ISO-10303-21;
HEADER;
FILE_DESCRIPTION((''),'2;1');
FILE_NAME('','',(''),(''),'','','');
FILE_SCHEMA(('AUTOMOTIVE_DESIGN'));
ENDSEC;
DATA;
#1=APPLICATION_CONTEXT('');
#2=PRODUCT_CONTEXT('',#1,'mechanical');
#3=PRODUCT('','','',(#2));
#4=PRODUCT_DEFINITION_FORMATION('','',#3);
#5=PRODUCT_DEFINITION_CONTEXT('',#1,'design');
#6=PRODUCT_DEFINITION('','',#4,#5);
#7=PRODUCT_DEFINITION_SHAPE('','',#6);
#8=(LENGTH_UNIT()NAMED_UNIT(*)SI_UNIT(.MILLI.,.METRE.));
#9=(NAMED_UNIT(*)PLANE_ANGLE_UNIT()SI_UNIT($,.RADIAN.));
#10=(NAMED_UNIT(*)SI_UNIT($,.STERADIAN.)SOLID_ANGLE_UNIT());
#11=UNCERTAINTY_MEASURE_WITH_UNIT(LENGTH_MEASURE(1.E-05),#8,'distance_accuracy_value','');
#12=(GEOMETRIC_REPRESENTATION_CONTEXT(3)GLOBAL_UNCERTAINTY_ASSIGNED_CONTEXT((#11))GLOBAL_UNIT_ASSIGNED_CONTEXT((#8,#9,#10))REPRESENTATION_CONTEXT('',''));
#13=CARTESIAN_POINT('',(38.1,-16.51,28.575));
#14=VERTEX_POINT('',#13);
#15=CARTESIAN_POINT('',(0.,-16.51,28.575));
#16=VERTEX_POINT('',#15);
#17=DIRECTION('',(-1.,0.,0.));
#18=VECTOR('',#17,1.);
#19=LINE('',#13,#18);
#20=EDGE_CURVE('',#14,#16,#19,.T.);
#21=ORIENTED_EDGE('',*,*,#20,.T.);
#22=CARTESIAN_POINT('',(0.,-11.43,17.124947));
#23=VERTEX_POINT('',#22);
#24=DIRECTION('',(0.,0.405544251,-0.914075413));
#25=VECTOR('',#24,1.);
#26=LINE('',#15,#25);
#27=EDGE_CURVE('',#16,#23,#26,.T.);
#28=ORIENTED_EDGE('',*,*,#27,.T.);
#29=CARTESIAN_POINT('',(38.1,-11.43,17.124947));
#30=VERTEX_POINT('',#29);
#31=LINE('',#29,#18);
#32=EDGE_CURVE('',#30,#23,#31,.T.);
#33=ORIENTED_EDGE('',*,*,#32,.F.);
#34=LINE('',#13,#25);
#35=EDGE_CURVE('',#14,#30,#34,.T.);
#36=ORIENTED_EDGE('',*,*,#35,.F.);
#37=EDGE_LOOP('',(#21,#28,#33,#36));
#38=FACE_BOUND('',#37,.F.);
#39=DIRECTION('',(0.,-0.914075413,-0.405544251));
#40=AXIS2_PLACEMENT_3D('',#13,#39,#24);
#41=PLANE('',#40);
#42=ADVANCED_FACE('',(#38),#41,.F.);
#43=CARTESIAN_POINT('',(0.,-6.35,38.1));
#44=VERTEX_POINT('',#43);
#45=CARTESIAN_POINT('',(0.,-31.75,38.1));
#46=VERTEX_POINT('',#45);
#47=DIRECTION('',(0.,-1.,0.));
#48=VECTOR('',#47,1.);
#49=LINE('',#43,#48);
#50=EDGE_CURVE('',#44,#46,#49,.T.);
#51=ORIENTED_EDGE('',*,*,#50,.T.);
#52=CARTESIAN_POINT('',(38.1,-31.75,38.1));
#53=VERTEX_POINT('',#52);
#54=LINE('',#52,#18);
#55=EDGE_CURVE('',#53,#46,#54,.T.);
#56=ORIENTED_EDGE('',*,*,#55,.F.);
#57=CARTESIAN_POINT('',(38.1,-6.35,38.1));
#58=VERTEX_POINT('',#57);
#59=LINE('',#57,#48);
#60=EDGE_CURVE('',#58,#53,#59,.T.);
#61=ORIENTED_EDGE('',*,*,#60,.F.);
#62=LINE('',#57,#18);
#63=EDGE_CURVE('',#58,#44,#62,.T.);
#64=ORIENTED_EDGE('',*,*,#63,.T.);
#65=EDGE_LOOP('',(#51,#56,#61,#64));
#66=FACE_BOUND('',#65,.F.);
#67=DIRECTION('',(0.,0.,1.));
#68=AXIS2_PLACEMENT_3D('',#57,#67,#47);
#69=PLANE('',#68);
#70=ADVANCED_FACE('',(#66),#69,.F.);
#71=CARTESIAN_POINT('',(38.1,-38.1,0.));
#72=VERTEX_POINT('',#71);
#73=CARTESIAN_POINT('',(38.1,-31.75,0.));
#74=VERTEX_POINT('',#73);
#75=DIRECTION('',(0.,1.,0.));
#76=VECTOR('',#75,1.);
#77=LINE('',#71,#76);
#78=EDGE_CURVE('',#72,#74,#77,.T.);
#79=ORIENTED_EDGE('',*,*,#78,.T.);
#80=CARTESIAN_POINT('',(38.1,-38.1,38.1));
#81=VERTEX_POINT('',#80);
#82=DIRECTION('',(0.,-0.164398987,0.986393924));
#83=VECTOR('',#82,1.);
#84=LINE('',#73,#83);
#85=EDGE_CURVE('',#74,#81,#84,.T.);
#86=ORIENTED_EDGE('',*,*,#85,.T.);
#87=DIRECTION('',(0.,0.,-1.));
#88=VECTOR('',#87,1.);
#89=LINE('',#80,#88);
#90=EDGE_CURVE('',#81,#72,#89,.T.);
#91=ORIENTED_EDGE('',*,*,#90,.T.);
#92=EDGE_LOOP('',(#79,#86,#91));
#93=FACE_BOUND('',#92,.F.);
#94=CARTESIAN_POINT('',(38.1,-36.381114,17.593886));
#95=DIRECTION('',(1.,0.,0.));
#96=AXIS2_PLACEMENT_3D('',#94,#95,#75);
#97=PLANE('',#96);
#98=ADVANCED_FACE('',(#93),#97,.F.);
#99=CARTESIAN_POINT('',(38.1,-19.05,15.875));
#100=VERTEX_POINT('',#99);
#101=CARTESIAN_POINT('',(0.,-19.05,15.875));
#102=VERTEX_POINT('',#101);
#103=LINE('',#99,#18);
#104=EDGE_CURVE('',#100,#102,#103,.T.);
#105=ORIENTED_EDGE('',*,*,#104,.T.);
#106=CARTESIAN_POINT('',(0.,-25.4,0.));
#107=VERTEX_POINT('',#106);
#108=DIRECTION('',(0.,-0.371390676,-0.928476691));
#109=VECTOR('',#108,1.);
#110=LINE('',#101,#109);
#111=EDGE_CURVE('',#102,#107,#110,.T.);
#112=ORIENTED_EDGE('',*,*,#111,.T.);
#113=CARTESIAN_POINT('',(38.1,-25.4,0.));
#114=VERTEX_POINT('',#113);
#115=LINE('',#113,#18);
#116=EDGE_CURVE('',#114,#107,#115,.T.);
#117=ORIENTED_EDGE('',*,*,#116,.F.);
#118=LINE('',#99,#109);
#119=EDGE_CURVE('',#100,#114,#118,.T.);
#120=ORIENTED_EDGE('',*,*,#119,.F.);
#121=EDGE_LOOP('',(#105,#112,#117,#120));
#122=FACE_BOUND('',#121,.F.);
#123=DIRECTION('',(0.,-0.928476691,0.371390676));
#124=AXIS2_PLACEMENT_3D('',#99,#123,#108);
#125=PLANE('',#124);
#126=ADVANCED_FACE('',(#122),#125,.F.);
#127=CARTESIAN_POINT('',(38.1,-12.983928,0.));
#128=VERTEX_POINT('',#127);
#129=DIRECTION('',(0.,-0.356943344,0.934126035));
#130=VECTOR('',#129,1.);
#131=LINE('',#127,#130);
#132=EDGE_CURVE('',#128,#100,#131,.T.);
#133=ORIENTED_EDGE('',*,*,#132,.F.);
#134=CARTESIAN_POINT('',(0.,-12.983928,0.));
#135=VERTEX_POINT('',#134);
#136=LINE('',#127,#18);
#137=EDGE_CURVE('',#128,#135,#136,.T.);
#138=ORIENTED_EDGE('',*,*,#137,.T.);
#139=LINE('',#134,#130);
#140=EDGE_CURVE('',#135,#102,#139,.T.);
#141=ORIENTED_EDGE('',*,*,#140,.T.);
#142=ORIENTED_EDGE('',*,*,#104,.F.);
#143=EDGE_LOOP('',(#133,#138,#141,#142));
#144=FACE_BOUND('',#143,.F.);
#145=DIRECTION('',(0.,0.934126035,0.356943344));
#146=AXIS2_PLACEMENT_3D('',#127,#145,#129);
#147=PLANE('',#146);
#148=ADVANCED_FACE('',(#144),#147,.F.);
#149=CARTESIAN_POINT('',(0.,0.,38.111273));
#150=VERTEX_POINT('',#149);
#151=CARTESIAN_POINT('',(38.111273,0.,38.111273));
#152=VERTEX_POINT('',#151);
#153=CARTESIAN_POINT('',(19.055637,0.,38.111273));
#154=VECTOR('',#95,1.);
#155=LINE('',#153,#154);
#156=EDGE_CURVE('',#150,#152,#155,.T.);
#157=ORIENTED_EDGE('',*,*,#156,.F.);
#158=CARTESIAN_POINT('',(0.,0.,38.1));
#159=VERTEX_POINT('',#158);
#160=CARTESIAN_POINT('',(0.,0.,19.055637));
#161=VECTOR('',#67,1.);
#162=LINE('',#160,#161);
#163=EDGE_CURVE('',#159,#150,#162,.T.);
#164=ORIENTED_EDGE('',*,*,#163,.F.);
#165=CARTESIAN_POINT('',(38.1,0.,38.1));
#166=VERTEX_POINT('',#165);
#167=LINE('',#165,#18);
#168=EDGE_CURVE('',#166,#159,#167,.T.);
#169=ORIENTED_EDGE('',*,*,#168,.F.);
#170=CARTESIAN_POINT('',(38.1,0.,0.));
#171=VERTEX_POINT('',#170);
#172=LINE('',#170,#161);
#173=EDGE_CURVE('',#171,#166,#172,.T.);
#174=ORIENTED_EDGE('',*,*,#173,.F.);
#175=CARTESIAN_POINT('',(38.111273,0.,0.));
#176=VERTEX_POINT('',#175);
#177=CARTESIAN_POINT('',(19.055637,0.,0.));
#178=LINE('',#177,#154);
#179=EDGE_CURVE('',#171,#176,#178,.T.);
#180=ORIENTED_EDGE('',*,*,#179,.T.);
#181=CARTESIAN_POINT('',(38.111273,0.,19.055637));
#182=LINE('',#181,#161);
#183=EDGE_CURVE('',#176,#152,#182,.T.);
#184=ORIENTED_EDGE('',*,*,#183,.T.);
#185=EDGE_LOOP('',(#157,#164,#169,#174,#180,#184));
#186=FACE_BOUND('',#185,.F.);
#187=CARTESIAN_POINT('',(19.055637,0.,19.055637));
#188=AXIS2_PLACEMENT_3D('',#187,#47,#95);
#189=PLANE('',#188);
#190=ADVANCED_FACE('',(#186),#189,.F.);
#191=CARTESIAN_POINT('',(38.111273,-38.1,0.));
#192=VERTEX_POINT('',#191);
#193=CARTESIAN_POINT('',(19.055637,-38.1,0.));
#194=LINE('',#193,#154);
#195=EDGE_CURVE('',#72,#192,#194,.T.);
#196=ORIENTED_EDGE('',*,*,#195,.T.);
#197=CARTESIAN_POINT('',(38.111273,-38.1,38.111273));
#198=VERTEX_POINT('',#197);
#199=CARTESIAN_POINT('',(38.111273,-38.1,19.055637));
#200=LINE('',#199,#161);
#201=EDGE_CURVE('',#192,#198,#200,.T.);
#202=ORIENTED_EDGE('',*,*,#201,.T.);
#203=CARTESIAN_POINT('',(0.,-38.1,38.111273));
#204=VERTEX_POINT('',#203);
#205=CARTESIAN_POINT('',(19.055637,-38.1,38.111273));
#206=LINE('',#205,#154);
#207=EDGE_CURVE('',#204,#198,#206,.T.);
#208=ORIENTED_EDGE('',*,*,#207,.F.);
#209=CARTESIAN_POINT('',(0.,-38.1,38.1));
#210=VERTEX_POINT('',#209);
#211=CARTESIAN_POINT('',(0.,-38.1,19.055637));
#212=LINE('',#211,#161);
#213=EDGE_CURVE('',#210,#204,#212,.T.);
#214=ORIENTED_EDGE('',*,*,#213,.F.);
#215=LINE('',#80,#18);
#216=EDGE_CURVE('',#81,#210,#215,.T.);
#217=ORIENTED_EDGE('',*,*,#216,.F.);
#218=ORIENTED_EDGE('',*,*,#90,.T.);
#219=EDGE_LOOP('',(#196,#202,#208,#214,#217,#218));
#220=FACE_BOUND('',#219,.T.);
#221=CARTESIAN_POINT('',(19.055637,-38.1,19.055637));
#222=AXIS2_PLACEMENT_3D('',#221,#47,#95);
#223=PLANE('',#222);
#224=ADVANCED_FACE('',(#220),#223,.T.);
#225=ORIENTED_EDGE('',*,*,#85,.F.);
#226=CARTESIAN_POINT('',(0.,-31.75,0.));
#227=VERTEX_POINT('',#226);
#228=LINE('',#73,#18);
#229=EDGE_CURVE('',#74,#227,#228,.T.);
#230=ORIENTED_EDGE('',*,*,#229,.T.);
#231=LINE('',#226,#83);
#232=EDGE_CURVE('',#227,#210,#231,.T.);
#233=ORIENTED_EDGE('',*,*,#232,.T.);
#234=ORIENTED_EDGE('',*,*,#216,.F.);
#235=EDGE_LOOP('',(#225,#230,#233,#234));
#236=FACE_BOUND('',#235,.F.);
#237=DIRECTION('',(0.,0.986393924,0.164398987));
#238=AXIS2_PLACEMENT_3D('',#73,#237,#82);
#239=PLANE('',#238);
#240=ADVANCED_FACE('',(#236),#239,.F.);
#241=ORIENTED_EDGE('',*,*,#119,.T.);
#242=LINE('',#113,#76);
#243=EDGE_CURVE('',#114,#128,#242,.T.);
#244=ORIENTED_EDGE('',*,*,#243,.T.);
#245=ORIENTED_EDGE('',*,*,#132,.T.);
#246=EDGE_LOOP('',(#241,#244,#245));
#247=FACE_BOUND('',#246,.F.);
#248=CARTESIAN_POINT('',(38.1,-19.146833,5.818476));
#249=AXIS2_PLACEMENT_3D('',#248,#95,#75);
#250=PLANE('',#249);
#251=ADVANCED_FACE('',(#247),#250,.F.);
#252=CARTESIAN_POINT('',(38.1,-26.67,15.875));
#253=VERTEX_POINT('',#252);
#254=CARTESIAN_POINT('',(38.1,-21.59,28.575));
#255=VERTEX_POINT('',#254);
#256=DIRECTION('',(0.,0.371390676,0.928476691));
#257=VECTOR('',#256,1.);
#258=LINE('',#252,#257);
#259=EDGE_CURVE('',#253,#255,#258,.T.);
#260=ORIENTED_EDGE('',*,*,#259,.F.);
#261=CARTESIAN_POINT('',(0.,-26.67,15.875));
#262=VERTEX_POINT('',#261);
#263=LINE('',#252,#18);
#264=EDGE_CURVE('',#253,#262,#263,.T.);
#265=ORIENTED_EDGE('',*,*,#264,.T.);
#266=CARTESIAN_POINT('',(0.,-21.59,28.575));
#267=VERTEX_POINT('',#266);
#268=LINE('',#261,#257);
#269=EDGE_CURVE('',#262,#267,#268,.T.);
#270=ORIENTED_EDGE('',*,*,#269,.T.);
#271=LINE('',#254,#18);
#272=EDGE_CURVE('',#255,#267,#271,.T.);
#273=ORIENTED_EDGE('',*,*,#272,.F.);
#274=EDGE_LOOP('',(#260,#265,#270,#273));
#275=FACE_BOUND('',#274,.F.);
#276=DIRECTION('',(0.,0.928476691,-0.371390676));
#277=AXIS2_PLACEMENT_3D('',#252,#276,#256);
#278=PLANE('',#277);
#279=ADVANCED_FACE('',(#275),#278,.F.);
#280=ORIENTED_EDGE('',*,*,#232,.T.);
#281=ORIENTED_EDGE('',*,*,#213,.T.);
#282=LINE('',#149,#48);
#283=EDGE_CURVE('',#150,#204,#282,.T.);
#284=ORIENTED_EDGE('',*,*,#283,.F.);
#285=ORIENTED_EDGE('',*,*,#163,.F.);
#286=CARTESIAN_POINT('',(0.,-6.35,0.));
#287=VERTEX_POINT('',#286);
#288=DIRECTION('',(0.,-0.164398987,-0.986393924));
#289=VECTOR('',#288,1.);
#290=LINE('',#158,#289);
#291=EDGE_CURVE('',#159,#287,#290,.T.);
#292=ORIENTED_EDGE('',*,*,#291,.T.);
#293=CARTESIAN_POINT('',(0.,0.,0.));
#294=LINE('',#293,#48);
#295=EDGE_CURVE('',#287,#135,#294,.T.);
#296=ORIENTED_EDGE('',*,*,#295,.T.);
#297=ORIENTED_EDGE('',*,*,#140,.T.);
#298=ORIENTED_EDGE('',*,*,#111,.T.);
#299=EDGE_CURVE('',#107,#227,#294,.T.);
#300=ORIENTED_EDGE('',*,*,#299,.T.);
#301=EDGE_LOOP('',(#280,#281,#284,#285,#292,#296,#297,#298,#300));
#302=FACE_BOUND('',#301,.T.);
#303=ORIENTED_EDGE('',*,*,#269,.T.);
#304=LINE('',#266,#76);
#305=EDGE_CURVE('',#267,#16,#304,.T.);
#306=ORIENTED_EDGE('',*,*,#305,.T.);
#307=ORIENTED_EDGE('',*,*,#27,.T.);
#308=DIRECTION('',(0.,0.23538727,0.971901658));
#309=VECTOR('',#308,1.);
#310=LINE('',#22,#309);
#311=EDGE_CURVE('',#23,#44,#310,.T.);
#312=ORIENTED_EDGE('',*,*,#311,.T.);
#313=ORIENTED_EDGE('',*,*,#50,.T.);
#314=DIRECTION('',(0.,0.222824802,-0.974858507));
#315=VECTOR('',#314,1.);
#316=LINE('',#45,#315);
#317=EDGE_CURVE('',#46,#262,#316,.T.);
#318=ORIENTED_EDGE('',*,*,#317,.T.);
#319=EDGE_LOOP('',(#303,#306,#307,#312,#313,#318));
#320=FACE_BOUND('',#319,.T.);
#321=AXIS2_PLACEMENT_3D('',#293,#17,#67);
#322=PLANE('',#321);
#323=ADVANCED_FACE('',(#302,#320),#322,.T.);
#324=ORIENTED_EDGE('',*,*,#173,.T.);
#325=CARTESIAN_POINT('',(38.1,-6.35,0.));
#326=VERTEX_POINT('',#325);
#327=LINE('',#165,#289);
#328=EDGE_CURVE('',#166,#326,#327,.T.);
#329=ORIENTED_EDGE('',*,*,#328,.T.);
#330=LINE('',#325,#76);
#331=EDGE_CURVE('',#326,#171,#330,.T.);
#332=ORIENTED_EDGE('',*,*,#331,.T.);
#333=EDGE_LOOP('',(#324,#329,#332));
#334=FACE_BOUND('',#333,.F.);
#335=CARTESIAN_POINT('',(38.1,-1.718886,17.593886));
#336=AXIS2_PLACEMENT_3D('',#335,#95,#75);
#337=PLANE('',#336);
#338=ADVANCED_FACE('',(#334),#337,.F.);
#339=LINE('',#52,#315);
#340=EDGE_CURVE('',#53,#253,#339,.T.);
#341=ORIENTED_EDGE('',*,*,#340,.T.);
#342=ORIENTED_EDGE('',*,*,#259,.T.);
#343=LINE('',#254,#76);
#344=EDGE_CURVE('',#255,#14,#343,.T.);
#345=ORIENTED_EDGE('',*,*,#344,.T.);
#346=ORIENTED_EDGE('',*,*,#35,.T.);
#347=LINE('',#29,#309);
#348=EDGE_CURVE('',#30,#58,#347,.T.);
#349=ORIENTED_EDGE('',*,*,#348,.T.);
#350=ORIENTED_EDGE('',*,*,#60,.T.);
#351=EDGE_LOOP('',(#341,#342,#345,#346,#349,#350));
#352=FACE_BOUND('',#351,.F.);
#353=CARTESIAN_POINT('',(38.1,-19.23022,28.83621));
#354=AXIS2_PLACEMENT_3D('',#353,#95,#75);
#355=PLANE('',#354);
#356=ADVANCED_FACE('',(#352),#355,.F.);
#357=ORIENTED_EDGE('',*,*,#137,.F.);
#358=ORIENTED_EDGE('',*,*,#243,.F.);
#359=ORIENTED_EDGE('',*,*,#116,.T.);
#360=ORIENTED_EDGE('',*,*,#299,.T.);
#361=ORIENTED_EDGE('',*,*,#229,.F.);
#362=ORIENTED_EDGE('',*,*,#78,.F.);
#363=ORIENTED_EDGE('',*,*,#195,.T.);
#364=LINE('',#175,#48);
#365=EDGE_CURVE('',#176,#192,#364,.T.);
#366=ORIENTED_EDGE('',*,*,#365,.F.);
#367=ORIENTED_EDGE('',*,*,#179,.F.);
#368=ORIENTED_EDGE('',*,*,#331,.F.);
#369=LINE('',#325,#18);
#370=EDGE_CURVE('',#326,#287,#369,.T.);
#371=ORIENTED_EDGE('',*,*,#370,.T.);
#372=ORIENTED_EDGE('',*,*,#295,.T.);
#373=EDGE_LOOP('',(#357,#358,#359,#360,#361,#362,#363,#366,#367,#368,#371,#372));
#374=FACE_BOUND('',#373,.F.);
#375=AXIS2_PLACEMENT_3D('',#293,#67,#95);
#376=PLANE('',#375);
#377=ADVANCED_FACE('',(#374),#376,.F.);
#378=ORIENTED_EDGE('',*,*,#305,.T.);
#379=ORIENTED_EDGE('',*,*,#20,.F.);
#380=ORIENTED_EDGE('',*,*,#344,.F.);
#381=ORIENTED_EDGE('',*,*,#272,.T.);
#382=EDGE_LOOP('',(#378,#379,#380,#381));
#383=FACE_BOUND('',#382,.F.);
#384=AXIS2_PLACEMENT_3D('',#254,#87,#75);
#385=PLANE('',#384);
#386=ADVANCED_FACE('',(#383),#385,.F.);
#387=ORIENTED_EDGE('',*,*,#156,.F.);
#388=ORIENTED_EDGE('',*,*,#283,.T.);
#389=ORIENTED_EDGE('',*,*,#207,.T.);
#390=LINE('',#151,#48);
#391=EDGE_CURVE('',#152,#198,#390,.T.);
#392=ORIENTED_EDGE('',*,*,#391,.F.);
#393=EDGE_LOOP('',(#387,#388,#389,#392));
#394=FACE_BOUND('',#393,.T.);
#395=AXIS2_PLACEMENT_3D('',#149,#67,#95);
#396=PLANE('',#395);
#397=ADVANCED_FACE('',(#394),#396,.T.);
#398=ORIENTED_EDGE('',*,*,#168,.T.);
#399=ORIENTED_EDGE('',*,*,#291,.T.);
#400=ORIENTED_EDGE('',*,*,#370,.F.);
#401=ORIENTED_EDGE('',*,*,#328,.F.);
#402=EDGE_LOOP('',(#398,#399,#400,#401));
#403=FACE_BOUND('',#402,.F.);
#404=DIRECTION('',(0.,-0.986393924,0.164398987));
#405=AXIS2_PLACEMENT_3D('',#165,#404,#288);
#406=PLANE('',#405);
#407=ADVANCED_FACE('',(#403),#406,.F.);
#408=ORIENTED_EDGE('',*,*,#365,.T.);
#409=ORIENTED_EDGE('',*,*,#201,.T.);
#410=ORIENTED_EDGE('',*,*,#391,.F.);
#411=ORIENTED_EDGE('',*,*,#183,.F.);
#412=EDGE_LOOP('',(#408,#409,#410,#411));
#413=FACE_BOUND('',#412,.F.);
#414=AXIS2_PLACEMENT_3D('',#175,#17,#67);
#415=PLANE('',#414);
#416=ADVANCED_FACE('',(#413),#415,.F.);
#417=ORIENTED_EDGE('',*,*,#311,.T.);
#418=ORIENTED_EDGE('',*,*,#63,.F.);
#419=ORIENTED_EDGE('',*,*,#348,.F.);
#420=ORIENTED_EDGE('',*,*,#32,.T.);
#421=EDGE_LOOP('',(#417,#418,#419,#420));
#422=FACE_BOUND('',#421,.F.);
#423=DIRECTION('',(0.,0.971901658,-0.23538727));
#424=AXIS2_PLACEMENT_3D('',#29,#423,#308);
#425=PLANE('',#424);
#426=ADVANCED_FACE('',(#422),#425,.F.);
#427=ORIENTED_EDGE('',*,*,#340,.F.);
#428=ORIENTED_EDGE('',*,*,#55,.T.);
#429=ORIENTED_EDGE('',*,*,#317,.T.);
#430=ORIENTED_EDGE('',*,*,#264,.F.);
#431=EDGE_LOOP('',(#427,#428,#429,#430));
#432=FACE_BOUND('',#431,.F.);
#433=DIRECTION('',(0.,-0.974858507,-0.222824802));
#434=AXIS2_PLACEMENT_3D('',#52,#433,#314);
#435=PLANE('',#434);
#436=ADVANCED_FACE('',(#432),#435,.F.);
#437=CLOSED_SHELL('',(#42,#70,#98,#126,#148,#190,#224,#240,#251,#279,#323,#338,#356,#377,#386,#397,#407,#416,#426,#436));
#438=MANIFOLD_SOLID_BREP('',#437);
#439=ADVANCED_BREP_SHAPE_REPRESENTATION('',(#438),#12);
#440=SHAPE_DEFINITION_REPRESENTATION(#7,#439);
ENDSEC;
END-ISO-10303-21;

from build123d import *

# Parameters (mm, degrees)
F0_W     = 38.1112731993
F0_H     = 38.1112731993
F1_DEPTH = 38.1
F4_DEPTH = 38.1


with BuildPart() as f1:
    # F0 (on Front) → F1 (new body)
    with BuildSketch(Plane.XZ):
        with Locations((19.0556365997, 19.0556365997)):
            Rectangle(F0_W, F0_H)
    extrude(amount=F1_DEPTH)

    # F3 (on offset) → F4 (cut)
    with BuildSketch(Plane.YZ.offset(38.1)):
        Polygon((-6.35, 0), (0, 0), (0, 38.1), align=None)
        Polygon((-11.43, 17.1249471605), (-6.35, 38.1), (-31.75, 38.1), (-26.67, 15.875), (-21.59, 28.575), (-16.51, 28.575), align=None)
        Polygon((-31.75, 0), (-38.1, 38.1), (-38.1, 0), align=None)
        Polygon((-25.4, 0), (-12.9839282118, 0), (-19.05, 15.875), align=None)
    extrude(amount=-F4_DEPTH, mode=Mode.SUBTRACT)


solid = f1.part
